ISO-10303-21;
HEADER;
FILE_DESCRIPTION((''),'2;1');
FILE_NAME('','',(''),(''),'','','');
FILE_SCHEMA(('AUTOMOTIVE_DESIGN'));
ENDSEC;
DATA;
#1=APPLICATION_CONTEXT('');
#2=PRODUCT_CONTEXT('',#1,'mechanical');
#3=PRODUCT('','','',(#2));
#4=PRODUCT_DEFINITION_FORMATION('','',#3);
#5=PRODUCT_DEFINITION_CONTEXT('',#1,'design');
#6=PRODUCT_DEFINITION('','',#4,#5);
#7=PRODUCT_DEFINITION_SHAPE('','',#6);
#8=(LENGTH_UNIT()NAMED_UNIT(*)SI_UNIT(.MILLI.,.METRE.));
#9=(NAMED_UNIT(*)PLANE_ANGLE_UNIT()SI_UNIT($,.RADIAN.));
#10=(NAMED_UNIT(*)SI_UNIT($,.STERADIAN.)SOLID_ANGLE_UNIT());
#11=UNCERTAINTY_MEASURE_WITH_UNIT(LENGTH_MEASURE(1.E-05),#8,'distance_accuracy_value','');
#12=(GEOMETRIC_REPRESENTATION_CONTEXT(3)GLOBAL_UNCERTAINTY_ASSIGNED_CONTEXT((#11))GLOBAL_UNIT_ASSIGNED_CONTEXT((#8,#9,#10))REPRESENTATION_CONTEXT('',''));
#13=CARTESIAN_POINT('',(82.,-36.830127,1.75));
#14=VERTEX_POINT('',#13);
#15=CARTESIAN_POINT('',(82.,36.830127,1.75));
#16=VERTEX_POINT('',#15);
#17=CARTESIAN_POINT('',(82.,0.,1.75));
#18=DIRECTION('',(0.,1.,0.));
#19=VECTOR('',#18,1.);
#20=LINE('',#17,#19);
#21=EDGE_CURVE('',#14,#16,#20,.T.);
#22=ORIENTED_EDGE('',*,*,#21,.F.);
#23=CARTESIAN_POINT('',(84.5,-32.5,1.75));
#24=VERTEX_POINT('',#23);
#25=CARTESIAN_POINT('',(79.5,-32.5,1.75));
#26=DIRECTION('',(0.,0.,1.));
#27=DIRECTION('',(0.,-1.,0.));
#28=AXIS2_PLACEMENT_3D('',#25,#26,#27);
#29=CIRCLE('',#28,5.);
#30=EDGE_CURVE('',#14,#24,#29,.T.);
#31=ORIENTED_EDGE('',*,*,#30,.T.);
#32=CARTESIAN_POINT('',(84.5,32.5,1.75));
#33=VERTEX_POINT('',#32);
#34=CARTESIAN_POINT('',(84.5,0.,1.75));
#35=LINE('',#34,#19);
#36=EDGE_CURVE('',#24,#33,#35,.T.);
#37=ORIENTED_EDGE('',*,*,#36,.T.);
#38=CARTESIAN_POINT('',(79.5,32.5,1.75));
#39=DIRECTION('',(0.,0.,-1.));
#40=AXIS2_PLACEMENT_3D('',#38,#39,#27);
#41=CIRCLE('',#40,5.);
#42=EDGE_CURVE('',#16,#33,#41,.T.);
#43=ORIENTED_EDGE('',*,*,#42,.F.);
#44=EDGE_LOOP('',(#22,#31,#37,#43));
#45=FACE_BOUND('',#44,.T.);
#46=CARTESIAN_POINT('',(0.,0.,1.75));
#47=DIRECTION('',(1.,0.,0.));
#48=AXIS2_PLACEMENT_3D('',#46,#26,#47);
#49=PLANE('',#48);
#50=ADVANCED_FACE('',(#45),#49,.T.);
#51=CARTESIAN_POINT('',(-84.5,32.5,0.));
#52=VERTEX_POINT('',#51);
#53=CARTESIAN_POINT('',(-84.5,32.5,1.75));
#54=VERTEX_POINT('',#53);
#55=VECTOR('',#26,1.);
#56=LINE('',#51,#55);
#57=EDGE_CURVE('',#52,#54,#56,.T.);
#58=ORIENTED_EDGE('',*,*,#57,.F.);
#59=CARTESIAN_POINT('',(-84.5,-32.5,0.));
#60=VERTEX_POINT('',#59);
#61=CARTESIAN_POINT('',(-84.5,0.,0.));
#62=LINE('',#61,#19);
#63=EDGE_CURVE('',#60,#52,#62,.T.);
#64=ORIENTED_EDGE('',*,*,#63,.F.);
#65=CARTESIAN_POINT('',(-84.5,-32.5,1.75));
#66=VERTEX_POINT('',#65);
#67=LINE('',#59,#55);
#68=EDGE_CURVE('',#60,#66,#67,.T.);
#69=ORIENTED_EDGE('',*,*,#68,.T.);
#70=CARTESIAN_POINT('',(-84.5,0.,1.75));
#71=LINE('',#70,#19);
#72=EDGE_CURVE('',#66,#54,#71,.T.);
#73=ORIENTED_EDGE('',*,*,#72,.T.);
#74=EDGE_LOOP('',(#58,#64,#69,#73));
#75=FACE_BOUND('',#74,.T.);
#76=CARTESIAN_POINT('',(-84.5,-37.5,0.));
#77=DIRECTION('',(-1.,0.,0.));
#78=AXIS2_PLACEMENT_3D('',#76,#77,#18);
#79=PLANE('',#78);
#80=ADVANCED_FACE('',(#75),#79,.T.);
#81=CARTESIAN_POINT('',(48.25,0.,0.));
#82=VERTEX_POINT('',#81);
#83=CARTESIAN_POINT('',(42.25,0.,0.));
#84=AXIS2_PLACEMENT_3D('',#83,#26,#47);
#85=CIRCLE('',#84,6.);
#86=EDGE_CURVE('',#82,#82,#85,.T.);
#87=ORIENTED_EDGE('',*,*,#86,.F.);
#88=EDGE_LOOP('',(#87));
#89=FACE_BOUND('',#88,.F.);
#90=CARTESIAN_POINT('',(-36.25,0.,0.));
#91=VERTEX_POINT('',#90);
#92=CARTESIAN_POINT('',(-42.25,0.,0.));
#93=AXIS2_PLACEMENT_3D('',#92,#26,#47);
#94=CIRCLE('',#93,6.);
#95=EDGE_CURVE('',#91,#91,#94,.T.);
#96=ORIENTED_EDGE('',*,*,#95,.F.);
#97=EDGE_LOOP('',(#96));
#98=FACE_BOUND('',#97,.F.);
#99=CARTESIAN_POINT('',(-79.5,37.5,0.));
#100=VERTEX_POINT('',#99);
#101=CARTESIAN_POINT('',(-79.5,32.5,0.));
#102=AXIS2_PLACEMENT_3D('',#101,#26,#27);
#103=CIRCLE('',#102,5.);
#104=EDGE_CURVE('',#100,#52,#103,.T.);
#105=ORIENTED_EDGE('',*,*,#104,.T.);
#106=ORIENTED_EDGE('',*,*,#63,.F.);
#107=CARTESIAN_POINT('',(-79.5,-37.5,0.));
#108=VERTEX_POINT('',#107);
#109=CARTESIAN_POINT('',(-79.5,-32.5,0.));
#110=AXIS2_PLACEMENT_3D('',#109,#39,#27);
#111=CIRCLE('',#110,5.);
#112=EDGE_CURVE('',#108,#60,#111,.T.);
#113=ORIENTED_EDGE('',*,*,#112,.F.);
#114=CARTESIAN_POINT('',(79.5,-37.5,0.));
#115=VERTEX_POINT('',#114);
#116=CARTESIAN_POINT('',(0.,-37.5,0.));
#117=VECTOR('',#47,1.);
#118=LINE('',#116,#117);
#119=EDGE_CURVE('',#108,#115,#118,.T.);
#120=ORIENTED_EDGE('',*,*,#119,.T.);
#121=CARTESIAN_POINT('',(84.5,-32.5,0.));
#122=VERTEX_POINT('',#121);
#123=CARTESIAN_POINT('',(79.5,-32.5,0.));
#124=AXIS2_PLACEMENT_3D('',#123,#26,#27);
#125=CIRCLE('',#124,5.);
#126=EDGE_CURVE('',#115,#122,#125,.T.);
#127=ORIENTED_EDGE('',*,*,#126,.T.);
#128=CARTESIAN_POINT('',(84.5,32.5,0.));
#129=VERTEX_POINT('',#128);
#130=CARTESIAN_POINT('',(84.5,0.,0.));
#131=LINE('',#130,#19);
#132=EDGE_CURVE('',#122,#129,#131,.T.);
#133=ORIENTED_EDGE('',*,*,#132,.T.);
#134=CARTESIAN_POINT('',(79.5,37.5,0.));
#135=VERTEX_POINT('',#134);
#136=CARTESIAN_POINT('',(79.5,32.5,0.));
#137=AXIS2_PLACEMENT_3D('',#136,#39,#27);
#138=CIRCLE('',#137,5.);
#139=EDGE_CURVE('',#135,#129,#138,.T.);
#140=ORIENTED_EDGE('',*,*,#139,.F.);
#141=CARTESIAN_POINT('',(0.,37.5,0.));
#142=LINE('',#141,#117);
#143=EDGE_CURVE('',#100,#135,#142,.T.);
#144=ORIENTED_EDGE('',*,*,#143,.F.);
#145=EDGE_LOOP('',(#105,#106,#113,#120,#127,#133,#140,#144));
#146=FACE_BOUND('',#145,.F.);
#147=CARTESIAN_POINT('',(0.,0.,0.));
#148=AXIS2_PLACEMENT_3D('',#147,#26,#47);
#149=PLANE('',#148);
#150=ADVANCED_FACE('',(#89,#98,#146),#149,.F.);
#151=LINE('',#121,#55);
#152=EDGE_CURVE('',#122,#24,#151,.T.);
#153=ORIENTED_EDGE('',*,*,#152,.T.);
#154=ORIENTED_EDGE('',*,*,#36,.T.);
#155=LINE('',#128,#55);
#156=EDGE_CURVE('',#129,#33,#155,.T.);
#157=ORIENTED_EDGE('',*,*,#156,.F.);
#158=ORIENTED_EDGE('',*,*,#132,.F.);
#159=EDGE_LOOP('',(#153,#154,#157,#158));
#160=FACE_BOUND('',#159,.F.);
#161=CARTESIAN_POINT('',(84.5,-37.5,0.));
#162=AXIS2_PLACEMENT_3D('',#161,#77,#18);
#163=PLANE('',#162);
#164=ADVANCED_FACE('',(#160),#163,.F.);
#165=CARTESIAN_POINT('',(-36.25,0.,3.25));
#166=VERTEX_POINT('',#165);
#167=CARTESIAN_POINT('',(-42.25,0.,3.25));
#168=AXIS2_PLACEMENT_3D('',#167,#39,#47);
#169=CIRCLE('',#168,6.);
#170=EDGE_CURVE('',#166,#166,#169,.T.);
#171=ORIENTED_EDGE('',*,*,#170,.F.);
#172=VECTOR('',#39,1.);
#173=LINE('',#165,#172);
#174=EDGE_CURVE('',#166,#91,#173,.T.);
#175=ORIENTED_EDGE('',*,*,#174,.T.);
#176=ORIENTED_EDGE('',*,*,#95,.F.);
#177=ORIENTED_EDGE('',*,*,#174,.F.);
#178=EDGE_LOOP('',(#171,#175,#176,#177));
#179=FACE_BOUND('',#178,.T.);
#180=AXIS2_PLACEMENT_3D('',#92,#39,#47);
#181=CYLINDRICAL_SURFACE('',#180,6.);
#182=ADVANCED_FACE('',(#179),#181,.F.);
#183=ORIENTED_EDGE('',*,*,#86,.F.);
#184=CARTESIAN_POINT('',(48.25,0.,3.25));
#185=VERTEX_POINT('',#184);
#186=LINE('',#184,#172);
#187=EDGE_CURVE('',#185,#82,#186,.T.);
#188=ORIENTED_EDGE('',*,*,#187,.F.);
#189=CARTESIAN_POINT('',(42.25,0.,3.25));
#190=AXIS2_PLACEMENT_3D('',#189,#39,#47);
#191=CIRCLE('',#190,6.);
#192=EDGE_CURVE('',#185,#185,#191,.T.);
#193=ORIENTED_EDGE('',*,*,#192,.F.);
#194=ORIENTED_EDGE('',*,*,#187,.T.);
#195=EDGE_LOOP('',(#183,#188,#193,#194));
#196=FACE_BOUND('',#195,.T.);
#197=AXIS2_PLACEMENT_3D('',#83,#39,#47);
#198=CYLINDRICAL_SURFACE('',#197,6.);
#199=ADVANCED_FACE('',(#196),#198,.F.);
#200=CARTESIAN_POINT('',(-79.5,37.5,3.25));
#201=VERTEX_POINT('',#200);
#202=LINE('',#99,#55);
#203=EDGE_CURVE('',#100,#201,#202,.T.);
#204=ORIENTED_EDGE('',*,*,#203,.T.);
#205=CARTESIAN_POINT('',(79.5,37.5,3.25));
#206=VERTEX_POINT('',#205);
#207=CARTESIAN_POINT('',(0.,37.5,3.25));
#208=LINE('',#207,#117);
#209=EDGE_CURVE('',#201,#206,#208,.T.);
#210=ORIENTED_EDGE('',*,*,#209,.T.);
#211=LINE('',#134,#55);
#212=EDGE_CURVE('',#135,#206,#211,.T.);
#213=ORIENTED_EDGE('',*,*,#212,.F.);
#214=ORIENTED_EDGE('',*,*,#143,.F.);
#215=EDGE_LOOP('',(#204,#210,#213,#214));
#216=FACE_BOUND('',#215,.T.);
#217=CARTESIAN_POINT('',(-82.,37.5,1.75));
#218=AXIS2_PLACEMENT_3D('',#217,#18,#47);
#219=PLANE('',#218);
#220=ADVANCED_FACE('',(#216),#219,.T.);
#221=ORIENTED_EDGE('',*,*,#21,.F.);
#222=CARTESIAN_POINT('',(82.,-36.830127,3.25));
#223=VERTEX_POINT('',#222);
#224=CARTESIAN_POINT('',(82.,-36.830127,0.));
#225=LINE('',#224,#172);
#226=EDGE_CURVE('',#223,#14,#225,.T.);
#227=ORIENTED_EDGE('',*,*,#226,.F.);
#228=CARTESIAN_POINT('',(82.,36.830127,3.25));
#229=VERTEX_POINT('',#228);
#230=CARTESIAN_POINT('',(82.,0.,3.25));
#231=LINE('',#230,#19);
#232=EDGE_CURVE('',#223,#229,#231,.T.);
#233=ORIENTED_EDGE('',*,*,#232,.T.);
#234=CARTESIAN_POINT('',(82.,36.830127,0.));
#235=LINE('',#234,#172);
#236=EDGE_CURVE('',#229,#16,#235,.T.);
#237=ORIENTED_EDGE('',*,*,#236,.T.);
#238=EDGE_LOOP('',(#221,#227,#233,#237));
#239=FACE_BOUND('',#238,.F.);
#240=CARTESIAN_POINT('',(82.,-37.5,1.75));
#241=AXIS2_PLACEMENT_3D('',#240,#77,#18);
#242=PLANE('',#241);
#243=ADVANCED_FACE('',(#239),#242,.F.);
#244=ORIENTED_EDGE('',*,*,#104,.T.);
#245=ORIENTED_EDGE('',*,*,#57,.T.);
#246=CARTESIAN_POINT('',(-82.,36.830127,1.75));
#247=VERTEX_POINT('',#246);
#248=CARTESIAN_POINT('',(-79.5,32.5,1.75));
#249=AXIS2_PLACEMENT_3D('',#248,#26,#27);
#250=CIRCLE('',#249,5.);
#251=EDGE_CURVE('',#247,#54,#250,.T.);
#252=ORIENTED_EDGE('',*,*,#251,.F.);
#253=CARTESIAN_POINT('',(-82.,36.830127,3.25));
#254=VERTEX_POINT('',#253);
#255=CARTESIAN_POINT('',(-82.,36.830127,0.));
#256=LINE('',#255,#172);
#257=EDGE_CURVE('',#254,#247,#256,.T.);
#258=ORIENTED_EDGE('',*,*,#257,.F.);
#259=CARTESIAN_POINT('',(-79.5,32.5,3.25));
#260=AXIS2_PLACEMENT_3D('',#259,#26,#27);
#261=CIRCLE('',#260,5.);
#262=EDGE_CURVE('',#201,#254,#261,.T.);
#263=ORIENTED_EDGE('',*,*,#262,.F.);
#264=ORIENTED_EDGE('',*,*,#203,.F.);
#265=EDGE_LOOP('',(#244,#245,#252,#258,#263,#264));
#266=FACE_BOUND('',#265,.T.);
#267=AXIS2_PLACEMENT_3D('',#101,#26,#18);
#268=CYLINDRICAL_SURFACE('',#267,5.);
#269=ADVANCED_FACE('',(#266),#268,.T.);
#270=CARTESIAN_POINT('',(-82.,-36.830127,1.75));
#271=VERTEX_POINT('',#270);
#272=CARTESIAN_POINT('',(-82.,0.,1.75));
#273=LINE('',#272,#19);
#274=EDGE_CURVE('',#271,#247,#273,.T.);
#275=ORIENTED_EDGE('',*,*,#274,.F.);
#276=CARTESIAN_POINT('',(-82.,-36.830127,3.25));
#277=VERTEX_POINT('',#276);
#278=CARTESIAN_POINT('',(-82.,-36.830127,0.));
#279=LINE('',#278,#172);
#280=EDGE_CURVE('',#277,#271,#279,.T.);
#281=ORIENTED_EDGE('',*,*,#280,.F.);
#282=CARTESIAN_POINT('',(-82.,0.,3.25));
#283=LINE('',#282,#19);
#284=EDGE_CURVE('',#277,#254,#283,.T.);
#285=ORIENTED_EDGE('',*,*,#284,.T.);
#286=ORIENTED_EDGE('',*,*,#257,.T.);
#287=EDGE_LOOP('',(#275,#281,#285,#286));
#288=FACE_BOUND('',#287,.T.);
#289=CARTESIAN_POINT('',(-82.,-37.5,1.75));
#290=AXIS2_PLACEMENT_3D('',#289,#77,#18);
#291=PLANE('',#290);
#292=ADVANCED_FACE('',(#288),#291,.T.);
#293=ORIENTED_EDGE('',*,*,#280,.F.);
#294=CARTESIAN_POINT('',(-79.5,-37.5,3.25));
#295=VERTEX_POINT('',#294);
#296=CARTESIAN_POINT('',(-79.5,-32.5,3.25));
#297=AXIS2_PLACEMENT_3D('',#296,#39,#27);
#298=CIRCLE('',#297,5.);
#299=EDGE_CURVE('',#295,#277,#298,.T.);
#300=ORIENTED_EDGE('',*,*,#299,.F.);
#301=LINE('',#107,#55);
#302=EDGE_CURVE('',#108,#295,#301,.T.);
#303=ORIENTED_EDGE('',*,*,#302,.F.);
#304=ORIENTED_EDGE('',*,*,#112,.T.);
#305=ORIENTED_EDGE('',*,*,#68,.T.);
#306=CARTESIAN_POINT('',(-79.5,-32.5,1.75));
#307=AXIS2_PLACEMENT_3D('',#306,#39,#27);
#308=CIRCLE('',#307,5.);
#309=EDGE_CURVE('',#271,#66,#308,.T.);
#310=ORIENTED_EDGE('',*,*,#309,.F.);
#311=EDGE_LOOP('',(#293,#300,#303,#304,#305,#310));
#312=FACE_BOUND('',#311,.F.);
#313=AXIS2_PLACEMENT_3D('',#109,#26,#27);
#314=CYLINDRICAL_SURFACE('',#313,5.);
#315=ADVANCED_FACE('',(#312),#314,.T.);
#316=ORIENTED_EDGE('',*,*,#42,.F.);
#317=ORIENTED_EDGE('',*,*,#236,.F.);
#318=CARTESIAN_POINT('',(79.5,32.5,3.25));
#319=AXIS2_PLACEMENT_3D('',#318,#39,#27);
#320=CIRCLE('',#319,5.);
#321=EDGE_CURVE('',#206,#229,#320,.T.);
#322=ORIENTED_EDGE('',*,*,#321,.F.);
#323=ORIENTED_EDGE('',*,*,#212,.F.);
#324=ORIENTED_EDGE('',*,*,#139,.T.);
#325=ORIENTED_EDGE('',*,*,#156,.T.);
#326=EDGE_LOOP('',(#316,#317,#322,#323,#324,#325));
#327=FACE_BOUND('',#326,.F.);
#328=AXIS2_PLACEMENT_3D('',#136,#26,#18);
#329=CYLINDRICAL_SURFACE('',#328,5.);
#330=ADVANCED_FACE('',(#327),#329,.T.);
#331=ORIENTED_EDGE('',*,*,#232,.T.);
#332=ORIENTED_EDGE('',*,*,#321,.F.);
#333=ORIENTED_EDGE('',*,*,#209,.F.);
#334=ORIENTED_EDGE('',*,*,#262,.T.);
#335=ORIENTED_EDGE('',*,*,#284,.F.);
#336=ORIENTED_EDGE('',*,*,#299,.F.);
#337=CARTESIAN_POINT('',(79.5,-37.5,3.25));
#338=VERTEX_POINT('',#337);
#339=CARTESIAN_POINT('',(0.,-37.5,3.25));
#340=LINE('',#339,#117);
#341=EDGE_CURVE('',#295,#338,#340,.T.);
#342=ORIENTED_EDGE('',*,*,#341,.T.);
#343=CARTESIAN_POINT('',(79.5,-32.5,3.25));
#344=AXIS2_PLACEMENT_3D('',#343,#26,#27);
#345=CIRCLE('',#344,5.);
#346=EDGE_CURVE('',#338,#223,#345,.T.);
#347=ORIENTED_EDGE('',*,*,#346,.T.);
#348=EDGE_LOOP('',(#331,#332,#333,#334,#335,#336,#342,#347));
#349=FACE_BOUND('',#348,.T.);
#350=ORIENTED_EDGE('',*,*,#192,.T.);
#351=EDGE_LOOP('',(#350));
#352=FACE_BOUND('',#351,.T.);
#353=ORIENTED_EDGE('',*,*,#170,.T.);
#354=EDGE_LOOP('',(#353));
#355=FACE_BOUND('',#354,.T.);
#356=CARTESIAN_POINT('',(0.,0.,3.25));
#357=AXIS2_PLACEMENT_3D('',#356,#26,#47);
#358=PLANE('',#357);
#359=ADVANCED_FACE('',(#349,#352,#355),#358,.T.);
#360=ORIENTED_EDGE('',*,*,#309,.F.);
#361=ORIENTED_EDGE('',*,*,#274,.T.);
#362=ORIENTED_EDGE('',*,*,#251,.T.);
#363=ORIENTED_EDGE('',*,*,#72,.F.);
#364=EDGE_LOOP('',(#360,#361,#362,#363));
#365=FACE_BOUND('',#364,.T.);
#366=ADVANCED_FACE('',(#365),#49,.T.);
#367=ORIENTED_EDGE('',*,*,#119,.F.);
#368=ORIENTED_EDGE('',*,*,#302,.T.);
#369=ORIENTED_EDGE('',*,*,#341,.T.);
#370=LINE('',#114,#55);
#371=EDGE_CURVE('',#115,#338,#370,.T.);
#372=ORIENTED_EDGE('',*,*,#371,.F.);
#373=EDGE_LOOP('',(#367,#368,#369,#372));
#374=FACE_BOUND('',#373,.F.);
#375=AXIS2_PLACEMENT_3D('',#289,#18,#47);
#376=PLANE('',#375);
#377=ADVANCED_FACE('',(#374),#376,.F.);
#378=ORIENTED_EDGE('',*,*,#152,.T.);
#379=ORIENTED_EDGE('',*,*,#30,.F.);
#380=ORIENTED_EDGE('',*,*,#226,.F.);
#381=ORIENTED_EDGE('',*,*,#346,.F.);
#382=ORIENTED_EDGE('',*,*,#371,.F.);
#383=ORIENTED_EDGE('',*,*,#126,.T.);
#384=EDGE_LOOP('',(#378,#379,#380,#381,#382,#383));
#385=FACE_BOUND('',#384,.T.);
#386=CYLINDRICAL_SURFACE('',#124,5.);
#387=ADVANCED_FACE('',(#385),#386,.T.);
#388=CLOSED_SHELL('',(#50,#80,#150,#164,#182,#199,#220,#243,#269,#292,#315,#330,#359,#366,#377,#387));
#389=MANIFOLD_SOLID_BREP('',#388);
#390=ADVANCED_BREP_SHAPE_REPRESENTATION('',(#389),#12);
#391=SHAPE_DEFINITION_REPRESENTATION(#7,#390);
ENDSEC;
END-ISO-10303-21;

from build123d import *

# Parameters (mm, degrees)
F0_W     = 169
F0_H     = 75
F0_R     = 6
F1_DEPTH = 1.75
F2_W     = 164
F2_H     = 75
F3_DEPTH = 1.5
F4_R     = 5
F5_DEPTH = 25


with BuildPart() as f1:
    # F0 (on Top) → F1 (new body)
    with BuildSketch(Plane.XY):
        Rectangle(F0_W, F0_H)
        with Locations((-42.25, 0)):
            Circle(F0_R, mode=Mode.SUBTRACT)
        with Locations((42.25, 0)):
            Circle(F0_R, mode=Mode.SUBTRACT)
    extrude(amount=F1_DEPTH)

    # F2 (on face) → F3 (join)
    with BuildSketch(Plane.XY.offset(1.75)):
        Rectangle(F2_W, F2_H)
    extrude(amount=F3_DEPTH)

    # F4
    f4_edges = [f1.edges().sort_by_distance(p)[0] for p in [
        (-84.5, -37.5, 0.875),
        (84.5, -37.5, 0.875),
        (84.5, 37.5, 0.875),
        (-84.5, 37.5, 0.875),
    ]]
    fillet(f4_edges, radius=F4_R)

    # F0 (on Top) → F5 (cut)
    with BuildSketch(Plane.XY):
        with Locations((42.25, 0)):
            Circle(F0_R)
        with Locations((-42.25, 0)):
            Circle(F0_R)
    extrude(amount=F5_DEPTH, mode=Mode.SUBTRACT)


solid = f1.part
